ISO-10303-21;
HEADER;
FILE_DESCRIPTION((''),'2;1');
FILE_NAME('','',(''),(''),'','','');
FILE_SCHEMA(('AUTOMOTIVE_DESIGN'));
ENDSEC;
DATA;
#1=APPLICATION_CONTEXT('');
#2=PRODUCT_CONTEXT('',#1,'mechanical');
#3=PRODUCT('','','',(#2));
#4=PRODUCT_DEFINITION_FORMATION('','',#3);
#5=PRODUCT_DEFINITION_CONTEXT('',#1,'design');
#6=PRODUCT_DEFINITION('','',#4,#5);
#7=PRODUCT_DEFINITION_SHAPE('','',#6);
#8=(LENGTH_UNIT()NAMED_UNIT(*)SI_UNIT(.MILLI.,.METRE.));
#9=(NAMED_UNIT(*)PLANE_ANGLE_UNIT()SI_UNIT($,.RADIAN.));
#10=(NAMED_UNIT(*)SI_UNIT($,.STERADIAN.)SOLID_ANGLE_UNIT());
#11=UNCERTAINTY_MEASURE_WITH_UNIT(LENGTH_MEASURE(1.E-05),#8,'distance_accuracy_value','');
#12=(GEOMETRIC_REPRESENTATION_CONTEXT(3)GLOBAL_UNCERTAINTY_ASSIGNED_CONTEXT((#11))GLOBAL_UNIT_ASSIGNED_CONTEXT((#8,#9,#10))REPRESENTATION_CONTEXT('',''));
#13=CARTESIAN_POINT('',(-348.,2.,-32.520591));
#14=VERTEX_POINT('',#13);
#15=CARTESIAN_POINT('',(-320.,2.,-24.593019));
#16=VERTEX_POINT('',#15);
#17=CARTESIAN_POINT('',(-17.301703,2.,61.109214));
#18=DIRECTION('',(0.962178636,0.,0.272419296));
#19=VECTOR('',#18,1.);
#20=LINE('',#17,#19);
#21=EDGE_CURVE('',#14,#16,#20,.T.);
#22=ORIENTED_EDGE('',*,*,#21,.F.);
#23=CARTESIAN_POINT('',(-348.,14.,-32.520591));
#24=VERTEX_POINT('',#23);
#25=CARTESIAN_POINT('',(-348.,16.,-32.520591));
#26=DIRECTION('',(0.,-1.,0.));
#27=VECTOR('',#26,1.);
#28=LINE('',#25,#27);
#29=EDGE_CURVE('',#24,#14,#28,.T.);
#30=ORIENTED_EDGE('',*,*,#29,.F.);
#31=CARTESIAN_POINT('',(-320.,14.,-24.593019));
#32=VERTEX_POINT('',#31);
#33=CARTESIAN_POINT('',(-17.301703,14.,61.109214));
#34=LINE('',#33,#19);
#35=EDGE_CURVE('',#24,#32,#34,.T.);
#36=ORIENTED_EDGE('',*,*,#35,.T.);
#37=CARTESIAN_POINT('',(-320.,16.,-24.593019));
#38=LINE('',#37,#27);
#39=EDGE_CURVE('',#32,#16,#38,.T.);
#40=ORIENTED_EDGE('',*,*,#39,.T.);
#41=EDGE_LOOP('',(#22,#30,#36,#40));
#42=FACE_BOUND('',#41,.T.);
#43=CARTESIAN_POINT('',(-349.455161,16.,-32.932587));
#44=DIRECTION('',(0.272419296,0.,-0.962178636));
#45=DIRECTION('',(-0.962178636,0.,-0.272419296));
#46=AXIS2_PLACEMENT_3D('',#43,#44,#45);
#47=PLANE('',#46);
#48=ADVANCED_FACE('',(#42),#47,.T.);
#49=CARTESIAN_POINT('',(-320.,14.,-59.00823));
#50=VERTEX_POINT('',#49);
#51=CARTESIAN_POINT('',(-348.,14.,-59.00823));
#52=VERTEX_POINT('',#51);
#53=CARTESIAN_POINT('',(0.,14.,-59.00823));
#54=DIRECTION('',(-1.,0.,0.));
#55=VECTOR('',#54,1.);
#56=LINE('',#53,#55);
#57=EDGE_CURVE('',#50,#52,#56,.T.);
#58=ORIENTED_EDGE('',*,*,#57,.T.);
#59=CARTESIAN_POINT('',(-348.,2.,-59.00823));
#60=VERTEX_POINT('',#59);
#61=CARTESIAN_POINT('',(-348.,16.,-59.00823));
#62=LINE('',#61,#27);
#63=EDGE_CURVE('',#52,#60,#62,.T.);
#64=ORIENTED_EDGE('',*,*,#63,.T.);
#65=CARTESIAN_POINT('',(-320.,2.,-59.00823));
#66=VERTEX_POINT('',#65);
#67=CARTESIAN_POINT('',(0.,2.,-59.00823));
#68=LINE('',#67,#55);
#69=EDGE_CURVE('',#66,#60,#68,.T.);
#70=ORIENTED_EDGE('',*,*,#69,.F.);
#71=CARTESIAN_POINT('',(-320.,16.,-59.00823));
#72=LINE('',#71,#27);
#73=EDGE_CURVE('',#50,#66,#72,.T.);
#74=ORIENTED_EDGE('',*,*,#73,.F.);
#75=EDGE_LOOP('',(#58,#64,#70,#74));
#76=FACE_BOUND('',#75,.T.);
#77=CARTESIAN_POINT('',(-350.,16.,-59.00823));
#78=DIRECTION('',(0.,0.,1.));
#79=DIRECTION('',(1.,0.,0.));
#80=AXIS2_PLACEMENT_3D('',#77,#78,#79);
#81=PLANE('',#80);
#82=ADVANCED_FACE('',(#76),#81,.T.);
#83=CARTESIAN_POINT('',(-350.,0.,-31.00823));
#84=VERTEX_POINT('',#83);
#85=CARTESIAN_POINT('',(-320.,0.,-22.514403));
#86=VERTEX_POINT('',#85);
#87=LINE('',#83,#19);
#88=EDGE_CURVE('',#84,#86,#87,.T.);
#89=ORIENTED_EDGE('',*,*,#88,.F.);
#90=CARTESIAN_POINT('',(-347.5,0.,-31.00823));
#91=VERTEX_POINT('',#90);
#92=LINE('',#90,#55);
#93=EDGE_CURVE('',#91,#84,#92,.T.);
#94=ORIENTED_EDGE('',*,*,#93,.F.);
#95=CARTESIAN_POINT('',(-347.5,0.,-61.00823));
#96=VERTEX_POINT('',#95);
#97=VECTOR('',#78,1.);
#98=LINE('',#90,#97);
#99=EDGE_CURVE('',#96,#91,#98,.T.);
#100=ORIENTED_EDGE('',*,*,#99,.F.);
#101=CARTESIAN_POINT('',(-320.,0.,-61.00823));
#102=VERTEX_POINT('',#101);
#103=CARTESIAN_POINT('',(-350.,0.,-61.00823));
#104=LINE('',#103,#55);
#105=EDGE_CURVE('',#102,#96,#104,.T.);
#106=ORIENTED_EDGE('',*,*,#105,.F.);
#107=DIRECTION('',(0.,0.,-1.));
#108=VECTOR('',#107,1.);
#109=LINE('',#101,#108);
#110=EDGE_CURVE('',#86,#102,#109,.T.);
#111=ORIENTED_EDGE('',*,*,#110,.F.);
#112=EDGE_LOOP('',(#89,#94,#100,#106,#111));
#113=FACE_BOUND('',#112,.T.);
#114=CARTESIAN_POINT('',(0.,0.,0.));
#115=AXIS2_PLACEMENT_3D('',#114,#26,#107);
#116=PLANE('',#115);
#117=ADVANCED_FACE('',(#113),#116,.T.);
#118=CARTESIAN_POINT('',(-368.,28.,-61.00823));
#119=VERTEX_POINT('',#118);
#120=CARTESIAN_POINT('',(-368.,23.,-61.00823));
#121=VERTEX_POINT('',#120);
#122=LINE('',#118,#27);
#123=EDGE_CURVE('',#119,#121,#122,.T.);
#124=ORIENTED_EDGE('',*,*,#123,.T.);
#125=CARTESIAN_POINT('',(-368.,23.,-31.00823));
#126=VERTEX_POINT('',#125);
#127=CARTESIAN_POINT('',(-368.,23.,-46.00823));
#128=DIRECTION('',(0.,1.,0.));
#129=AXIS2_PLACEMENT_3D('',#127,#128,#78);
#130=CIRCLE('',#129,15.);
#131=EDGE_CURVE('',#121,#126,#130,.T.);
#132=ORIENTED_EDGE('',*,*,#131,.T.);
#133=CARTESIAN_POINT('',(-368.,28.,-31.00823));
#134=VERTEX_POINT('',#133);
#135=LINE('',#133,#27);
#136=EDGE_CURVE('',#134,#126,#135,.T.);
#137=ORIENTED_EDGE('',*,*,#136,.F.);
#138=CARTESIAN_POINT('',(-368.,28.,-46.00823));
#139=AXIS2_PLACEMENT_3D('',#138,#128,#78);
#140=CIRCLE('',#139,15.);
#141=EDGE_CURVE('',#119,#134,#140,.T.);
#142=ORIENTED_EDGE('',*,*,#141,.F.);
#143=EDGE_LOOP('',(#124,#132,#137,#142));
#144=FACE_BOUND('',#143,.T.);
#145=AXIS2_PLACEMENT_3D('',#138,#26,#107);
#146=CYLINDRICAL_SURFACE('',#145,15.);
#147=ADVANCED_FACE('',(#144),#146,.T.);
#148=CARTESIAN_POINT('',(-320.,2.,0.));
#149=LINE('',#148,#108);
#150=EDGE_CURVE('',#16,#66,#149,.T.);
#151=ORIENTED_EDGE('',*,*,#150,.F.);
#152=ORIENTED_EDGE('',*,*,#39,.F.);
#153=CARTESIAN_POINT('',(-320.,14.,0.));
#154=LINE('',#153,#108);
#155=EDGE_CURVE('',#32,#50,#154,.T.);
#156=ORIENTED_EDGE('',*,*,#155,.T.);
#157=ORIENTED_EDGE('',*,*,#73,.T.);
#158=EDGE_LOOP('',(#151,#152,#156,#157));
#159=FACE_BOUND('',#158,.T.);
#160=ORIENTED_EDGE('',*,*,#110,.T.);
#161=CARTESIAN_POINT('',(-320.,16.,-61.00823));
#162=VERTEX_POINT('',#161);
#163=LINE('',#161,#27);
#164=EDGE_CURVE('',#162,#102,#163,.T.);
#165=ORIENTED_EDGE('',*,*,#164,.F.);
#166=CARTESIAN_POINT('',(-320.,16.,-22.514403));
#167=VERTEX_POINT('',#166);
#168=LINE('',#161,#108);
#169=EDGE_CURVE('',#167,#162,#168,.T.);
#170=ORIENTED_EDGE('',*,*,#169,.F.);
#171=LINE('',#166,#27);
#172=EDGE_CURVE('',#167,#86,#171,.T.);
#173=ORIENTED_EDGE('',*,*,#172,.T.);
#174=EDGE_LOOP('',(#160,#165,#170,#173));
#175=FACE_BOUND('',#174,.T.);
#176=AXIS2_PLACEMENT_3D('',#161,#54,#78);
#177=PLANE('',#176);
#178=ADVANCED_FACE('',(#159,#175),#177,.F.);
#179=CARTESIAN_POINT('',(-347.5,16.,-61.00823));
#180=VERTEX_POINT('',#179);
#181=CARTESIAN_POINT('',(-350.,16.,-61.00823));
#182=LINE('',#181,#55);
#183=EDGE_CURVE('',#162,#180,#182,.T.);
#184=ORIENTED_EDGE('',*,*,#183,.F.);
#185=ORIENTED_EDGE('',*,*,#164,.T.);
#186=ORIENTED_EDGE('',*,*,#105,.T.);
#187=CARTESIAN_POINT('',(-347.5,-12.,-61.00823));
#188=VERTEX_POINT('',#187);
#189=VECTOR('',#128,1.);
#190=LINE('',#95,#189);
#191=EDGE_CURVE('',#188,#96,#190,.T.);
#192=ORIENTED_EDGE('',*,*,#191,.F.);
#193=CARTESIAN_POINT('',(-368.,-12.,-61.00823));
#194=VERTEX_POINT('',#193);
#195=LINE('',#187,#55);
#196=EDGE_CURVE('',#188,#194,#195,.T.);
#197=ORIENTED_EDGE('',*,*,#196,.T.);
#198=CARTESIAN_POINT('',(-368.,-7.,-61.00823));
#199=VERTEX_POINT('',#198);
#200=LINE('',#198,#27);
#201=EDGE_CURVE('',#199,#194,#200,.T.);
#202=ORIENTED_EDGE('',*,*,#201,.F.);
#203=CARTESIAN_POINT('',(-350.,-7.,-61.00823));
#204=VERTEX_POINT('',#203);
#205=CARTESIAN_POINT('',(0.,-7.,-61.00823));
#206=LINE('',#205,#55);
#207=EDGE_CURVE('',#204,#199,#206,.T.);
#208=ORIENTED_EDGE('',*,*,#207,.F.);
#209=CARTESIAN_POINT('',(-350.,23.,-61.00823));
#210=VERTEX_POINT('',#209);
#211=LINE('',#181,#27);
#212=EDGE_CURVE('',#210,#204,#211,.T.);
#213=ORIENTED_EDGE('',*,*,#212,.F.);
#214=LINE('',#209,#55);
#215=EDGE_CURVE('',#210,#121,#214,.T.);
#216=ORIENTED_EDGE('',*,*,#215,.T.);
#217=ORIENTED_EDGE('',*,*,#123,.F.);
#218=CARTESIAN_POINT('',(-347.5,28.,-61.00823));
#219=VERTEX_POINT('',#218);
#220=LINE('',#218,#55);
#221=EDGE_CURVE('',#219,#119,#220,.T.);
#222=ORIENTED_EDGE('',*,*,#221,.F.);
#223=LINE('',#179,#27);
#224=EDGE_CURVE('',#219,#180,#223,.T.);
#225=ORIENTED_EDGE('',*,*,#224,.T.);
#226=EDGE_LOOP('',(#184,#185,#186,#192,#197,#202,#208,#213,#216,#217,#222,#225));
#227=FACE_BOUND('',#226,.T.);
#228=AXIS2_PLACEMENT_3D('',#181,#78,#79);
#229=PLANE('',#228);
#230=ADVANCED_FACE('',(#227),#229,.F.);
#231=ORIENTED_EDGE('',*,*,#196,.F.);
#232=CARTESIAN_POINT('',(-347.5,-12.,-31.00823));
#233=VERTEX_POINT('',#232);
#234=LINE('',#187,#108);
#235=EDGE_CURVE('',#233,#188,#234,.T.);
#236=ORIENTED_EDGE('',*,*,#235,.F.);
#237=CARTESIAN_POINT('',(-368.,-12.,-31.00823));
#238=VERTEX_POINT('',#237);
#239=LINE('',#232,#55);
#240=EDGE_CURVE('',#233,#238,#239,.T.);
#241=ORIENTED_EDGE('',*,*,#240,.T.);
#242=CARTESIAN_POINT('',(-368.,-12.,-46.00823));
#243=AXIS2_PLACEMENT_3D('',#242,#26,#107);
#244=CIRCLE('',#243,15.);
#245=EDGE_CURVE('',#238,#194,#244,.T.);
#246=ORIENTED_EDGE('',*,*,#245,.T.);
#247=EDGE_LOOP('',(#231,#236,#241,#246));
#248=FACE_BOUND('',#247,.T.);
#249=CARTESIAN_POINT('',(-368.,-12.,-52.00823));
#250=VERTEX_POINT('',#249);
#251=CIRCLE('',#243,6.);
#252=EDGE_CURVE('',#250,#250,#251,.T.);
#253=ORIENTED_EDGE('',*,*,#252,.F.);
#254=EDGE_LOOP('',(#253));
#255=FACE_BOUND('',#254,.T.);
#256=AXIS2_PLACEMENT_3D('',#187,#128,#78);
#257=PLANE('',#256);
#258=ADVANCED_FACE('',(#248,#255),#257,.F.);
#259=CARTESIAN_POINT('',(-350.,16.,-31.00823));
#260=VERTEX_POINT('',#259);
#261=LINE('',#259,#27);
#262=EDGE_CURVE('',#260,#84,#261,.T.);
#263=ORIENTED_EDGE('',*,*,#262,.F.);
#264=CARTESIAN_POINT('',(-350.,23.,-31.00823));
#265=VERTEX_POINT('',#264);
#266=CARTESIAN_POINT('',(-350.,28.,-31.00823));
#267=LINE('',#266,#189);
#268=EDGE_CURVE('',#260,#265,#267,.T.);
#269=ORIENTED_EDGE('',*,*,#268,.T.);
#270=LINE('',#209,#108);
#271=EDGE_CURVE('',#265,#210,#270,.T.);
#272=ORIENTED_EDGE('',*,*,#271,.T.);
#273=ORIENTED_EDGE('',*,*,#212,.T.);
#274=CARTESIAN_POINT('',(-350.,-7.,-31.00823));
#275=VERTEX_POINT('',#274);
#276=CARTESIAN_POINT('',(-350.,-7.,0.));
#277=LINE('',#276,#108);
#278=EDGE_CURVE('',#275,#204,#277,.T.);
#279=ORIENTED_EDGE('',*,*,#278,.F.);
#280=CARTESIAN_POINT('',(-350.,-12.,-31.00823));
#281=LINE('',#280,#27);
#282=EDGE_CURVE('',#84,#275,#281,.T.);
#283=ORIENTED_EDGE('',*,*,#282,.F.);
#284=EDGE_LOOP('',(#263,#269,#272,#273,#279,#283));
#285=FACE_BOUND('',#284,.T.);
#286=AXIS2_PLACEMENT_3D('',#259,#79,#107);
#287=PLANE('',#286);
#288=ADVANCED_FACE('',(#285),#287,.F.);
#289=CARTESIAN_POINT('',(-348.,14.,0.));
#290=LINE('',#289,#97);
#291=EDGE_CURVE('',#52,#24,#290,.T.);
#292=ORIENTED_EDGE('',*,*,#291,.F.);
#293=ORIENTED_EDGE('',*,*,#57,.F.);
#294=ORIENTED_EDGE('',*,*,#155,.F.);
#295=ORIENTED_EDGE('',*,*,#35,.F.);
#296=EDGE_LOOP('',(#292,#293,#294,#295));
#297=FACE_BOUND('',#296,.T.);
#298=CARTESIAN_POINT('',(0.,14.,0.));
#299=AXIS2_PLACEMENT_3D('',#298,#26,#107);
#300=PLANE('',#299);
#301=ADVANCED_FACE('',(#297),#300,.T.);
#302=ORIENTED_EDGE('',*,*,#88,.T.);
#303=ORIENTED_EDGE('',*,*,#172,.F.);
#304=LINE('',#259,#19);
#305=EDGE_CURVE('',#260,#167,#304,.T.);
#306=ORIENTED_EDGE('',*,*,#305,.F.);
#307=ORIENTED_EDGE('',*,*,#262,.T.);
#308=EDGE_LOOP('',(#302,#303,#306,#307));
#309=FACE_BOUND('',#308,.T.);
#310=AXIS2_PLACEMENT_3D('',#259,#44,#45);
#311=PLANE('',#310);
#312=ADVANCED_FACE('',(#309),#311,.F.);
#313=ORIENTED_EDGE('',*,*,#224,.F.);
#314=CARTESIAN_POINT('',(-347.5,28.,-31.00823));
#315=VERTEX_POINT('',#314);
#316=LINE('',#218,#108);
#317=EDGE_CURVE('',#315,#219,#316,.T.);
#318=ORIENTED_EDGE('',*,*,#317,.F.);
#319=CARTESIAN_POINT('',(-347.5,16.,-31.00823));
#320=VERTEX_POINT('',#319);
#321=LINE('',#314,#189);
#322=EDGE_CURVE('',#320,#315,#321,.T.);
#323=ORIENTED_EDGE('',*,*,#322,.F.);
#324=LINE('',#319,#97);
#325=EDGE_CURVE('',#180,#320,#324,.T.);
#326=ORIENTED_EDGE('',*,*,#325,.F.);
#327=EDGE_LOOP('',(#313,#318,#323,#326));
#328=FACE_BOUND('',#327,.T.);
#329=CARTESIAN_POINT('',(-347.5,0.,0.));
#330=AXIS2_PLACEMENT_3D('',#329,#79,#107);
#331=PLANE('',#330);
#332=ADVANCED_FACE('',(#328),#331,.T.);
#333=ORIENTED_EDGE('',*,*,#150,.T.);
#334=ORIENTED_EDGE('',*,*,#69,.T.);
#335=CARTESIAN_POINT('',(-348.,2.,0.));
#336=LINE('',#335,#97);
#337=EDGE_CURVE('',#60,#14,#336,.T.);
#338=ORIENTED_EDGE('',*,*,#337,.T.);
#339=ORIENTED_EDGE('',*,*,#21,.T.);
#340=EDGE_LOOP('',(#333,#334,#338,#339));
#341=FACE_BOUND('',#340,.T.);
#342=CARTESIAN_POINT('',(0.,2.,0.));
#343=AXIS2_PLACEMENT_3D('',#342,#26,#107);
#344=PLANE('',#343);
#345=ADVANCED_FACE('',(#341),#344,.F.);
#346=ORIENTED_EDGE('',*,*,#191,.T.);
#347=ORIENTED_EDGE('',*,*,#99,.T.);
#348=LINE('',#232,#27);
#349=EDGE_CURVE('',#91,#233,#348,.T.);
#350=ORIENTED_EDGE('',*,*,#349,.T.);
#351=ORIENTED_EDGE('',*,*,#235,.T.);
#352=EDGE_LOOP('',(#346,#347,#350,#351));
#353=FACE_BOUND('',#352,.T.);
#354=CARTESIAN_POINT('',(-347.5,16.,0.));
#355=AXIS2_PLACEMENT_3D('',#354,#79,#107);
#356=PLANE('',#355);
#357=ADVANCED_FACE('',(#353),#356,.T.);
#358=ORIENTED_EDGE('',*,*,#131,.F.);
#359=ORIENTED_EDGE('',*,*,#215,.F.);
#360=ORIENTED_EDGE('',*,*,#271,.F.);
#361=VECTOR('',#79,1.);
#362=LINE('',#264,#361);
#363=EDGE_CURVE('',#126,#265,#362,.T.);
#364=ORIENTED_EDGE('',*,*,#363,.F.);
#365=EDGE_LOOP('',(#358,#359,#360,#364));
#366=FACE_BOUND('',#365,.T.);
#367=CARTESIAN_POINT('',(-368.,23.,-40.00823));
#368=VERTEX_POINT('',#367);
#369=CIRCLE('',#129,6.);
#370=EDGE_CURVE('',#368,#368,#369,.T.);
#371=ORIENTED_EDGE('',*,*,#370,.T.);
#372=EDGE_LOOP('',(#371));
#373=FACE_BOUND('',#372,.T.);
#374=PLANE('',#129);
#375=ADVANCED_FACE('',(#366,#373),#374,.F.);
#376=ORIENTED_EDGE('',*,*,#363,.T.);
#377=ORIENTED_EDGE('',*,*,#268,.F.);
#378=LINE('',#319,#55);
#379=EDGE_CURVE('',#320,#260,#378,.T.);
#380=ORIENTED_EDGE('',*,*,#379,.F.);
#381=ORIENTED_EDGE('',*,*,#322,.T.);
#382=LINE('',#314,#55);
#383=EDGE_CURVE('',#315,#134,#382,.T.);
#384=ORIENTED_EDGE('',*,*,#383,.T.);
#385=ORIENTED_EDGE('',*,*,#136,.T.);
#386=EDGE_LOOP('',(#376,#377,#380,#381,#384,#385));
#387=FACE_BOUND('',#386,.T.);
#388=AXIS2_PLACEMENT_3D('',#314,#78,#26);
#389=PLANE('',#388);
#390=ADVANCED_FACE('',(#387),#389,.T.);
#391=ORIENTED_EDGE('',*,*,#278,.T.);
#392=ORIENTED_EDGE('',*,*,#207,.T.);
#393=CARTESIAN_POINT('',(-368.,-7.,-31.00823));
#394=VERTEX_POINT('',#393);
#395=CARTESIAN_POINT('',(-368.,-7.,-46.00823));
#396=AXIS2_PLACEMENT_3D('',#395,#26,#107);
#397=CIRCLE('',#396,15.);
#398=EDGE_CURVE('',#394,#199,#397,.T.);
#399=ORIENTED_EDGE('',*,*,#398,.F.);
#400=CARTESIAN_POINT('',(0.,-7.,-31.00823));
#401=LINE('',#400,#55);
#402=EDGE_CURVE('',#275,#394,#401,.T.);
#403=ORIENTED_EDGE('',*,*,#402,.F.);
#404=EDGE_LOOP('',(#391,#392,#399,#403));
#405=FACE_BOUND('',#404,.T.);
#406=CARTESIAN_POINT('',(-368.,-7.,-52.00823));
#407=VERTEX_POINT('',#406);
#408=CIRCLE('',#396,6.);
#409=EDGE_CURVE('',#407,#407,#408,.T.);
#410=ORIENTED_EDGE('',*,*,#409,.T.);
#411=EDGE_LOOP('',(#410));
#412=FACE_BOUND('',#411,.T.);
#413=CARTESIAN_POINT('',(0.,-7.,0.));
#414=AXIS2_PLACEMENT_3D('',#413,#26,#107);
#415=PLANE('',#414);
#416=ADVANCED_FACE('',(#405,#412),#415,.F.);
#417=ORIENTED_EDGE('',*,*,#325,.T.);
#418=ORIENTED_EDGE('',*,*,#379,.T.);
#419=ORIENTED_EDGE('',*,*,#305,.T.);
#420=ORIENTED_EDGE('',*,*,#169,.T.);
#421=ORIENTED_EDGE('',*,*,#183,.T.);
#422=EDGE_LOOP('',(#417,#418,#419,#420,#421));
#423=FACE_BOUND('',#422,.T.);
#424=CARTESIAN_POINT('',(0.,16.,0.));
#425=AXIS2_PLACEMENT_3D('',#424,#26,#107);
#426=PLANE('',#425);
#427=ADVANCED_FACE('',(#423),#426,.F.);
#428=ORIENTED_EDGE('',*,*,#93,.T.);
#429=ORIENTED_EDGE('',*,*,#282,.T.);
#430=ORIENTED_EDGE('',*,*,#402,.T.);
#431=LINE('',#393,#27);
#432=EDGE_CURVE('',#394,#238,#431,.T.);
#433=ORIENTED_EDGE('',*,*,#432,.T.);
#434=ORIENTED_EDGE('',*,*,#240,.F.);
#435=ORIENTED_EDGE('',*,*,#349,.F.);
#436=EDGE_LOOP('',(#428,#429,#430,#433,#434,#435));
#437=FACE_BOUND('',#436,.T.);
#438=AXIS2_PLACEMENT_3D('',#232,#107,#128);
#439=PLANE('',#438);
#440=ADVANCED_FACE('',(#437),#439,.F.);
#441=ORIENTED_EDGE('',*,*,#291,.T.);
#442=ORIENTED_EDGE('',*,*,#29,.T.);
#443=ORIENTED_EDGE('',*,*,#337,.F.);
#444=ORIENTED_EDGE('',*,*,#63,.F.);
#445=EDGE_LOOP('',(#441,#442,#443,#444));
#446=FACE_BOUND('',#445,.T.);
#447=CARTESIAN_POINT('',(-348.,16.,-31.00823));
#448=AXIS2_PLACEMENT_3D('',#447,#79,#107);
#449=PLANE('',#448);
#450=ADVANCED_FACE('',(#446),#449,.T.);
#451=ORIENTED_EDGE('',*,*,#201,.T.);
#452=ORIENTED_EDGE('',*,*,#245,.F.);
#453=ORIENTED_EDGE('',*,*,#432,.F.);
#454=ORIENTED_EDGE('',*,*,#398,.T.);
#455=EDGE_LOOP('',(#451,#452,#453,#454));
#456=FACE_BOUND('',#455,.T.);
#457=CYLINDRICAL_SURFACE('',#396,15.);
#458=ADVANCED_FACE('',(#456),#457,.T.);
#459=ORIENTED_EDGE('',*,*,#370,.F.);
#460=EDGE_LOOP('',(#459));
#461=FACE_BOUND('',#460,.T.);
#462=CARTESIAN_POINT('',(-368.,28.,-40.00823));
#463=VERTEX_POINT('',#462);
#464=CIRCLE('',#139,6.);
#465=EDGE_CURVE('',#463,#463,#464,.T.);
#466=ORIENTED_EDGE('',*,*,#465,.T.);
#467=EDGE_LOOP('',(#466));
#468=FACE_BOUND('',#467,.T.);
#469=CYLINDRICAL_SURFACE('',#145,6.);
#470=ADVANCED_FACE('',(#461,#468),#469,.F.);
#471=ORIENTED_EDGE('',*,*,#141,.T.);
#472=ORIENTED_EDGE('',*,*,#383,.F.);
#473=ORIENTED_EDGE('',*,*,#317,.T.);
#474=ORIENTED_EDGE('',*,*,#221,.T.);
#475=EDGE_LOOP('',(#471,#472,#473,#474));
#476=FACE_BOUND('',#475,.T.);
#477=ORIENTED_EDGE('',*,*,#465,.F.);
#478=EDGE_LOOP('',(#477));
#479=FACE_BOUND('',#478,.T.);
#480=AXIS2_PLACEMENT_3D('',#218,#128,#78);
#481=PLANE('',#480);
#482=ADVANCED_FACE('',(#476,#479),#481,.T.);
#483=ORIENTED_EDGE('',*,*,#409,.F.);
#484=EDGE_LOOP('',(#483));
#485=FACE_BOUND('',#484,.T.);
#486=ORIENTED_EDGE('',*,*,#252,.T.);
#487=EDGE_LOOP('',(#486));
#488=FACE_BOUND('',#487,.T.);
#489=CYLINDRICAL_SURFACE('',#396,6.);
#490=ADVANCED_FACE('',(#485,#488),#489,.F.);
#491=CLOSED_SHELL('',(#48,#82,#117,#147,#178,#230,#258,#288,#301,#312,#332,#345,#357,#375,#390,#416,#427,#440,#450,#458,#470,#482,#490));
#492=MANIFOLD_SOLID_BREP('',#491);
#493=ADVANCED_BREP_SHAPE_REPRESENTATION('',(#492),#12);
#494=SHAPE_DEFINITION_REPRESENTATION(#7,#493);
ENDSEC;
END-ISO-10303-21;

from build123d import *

# Parameters (mm, degrees)
BOSS_EXTRUDE1_DEPTH = 16
SHELL1_T            = -2
SKETCH2_R           = 6
BOSS_EXTRUDE2_DEPTH = 5
SKETCH4_W           = 30
SKETCH4_H           = 12
BOSS_EXTRUDE3_DEPTH = 2.5
SKETCH5_R           = 6
BOSS_EXTRUDE4_DEPTH = 5


with BuildPart() as part:
    # Sketch1 → Boss-Extrude1 (new body)
    with BuildSketch(Plane(origin=(0, 0, 0), x_dir=(1, 0, 0), z_dir=(0, 1, 0))):
        Polygon((-350, 31.008229654), (-320, 22.514402641), (-320, 61.008229654), (-350, 61.008229654), align=None)
    extrude(amount=BOSS_EXTRUDE1_DEPTH)

    # Shell1
    shell1_openings = [part.faces().sort_by_distance(p)[0] for p in [
        (-320, 8, -41.761316148),
    ]]
    offset(amount=SHELL1_T, openings=shell1_openings, kind=Kind.INTERSECTION)



with BuildPart() as body_2:
    # Sketch2 → Boss-Extrude2 (new body)
    with BuildSketch(Plane(origin=(0, 23, 0), x_dir=(1, 0, 0), z_dir=(0, 1, 0))):
        with BuildLine():
            Line((-350, 61.008229654), (-368, 61.008229654))
            ThreePointArc((-368, 61.008229654), (-383, 46.008229654), (-368, 31.008229654))
            Line((-368, 31.008229654), (-350, 31.008229654))
            Line((-350, 31.008229654), (-350, 61.008229654))
        make_face()
        with Locations((-368, 46.008229654)):
            Circle(SKETCH2_R, mode=Mode.SUBTRACT)
    extrude(amount=BOSS_EXTRUDE2_DEPTH)


with BuildPart() as part_1:
    add(part.part)

    add(body_2.part)  # Boss-Extrude3 merges body 2
    # Sketch4 → Boss-Extrude3 (add)
    with BuildSketch(Plane.ZY.offset(350)):
        with Locations((-46.008229654, 22)):
            Rectangle(SKETCH4_W, SKETCH4_H)
    boss_extrude3 = extrude(amount=-BOSS_EXTRUDE3_DEPTH)

    # Mirror14: Boss-Extrude3 across plane
    add(boss_extrude3.mirror(Plane(origin=(0, 8, 0), x_dir=(0, 0, 1), z_dir=(0, -1, 0))))

    # Sketch5 → Boss-Extrude4 (add)
    with BuildSketch(Plane.XZ.offset(12)):
        with BuildLine():
            Line((-350, -61.008229654), (-350, -31.008229654))
            Line((-350, -31.008229654), (-368, -31.008229654))
            ThreePointArc((-368, -31.008229654), (-383, -46.008229654), (-368, -61.008229654))
            Line((-368, -61.008229654), (-350, -61.008229654))
        make_face()
        with Locations((-368, -46.008229654)):
            Circle(SKETCH5_R, mode=Mode.SUBTRACT)
    extrude(amount=-BOSS_EXTRUDE4_DEPTH)


solid = part_1.part
